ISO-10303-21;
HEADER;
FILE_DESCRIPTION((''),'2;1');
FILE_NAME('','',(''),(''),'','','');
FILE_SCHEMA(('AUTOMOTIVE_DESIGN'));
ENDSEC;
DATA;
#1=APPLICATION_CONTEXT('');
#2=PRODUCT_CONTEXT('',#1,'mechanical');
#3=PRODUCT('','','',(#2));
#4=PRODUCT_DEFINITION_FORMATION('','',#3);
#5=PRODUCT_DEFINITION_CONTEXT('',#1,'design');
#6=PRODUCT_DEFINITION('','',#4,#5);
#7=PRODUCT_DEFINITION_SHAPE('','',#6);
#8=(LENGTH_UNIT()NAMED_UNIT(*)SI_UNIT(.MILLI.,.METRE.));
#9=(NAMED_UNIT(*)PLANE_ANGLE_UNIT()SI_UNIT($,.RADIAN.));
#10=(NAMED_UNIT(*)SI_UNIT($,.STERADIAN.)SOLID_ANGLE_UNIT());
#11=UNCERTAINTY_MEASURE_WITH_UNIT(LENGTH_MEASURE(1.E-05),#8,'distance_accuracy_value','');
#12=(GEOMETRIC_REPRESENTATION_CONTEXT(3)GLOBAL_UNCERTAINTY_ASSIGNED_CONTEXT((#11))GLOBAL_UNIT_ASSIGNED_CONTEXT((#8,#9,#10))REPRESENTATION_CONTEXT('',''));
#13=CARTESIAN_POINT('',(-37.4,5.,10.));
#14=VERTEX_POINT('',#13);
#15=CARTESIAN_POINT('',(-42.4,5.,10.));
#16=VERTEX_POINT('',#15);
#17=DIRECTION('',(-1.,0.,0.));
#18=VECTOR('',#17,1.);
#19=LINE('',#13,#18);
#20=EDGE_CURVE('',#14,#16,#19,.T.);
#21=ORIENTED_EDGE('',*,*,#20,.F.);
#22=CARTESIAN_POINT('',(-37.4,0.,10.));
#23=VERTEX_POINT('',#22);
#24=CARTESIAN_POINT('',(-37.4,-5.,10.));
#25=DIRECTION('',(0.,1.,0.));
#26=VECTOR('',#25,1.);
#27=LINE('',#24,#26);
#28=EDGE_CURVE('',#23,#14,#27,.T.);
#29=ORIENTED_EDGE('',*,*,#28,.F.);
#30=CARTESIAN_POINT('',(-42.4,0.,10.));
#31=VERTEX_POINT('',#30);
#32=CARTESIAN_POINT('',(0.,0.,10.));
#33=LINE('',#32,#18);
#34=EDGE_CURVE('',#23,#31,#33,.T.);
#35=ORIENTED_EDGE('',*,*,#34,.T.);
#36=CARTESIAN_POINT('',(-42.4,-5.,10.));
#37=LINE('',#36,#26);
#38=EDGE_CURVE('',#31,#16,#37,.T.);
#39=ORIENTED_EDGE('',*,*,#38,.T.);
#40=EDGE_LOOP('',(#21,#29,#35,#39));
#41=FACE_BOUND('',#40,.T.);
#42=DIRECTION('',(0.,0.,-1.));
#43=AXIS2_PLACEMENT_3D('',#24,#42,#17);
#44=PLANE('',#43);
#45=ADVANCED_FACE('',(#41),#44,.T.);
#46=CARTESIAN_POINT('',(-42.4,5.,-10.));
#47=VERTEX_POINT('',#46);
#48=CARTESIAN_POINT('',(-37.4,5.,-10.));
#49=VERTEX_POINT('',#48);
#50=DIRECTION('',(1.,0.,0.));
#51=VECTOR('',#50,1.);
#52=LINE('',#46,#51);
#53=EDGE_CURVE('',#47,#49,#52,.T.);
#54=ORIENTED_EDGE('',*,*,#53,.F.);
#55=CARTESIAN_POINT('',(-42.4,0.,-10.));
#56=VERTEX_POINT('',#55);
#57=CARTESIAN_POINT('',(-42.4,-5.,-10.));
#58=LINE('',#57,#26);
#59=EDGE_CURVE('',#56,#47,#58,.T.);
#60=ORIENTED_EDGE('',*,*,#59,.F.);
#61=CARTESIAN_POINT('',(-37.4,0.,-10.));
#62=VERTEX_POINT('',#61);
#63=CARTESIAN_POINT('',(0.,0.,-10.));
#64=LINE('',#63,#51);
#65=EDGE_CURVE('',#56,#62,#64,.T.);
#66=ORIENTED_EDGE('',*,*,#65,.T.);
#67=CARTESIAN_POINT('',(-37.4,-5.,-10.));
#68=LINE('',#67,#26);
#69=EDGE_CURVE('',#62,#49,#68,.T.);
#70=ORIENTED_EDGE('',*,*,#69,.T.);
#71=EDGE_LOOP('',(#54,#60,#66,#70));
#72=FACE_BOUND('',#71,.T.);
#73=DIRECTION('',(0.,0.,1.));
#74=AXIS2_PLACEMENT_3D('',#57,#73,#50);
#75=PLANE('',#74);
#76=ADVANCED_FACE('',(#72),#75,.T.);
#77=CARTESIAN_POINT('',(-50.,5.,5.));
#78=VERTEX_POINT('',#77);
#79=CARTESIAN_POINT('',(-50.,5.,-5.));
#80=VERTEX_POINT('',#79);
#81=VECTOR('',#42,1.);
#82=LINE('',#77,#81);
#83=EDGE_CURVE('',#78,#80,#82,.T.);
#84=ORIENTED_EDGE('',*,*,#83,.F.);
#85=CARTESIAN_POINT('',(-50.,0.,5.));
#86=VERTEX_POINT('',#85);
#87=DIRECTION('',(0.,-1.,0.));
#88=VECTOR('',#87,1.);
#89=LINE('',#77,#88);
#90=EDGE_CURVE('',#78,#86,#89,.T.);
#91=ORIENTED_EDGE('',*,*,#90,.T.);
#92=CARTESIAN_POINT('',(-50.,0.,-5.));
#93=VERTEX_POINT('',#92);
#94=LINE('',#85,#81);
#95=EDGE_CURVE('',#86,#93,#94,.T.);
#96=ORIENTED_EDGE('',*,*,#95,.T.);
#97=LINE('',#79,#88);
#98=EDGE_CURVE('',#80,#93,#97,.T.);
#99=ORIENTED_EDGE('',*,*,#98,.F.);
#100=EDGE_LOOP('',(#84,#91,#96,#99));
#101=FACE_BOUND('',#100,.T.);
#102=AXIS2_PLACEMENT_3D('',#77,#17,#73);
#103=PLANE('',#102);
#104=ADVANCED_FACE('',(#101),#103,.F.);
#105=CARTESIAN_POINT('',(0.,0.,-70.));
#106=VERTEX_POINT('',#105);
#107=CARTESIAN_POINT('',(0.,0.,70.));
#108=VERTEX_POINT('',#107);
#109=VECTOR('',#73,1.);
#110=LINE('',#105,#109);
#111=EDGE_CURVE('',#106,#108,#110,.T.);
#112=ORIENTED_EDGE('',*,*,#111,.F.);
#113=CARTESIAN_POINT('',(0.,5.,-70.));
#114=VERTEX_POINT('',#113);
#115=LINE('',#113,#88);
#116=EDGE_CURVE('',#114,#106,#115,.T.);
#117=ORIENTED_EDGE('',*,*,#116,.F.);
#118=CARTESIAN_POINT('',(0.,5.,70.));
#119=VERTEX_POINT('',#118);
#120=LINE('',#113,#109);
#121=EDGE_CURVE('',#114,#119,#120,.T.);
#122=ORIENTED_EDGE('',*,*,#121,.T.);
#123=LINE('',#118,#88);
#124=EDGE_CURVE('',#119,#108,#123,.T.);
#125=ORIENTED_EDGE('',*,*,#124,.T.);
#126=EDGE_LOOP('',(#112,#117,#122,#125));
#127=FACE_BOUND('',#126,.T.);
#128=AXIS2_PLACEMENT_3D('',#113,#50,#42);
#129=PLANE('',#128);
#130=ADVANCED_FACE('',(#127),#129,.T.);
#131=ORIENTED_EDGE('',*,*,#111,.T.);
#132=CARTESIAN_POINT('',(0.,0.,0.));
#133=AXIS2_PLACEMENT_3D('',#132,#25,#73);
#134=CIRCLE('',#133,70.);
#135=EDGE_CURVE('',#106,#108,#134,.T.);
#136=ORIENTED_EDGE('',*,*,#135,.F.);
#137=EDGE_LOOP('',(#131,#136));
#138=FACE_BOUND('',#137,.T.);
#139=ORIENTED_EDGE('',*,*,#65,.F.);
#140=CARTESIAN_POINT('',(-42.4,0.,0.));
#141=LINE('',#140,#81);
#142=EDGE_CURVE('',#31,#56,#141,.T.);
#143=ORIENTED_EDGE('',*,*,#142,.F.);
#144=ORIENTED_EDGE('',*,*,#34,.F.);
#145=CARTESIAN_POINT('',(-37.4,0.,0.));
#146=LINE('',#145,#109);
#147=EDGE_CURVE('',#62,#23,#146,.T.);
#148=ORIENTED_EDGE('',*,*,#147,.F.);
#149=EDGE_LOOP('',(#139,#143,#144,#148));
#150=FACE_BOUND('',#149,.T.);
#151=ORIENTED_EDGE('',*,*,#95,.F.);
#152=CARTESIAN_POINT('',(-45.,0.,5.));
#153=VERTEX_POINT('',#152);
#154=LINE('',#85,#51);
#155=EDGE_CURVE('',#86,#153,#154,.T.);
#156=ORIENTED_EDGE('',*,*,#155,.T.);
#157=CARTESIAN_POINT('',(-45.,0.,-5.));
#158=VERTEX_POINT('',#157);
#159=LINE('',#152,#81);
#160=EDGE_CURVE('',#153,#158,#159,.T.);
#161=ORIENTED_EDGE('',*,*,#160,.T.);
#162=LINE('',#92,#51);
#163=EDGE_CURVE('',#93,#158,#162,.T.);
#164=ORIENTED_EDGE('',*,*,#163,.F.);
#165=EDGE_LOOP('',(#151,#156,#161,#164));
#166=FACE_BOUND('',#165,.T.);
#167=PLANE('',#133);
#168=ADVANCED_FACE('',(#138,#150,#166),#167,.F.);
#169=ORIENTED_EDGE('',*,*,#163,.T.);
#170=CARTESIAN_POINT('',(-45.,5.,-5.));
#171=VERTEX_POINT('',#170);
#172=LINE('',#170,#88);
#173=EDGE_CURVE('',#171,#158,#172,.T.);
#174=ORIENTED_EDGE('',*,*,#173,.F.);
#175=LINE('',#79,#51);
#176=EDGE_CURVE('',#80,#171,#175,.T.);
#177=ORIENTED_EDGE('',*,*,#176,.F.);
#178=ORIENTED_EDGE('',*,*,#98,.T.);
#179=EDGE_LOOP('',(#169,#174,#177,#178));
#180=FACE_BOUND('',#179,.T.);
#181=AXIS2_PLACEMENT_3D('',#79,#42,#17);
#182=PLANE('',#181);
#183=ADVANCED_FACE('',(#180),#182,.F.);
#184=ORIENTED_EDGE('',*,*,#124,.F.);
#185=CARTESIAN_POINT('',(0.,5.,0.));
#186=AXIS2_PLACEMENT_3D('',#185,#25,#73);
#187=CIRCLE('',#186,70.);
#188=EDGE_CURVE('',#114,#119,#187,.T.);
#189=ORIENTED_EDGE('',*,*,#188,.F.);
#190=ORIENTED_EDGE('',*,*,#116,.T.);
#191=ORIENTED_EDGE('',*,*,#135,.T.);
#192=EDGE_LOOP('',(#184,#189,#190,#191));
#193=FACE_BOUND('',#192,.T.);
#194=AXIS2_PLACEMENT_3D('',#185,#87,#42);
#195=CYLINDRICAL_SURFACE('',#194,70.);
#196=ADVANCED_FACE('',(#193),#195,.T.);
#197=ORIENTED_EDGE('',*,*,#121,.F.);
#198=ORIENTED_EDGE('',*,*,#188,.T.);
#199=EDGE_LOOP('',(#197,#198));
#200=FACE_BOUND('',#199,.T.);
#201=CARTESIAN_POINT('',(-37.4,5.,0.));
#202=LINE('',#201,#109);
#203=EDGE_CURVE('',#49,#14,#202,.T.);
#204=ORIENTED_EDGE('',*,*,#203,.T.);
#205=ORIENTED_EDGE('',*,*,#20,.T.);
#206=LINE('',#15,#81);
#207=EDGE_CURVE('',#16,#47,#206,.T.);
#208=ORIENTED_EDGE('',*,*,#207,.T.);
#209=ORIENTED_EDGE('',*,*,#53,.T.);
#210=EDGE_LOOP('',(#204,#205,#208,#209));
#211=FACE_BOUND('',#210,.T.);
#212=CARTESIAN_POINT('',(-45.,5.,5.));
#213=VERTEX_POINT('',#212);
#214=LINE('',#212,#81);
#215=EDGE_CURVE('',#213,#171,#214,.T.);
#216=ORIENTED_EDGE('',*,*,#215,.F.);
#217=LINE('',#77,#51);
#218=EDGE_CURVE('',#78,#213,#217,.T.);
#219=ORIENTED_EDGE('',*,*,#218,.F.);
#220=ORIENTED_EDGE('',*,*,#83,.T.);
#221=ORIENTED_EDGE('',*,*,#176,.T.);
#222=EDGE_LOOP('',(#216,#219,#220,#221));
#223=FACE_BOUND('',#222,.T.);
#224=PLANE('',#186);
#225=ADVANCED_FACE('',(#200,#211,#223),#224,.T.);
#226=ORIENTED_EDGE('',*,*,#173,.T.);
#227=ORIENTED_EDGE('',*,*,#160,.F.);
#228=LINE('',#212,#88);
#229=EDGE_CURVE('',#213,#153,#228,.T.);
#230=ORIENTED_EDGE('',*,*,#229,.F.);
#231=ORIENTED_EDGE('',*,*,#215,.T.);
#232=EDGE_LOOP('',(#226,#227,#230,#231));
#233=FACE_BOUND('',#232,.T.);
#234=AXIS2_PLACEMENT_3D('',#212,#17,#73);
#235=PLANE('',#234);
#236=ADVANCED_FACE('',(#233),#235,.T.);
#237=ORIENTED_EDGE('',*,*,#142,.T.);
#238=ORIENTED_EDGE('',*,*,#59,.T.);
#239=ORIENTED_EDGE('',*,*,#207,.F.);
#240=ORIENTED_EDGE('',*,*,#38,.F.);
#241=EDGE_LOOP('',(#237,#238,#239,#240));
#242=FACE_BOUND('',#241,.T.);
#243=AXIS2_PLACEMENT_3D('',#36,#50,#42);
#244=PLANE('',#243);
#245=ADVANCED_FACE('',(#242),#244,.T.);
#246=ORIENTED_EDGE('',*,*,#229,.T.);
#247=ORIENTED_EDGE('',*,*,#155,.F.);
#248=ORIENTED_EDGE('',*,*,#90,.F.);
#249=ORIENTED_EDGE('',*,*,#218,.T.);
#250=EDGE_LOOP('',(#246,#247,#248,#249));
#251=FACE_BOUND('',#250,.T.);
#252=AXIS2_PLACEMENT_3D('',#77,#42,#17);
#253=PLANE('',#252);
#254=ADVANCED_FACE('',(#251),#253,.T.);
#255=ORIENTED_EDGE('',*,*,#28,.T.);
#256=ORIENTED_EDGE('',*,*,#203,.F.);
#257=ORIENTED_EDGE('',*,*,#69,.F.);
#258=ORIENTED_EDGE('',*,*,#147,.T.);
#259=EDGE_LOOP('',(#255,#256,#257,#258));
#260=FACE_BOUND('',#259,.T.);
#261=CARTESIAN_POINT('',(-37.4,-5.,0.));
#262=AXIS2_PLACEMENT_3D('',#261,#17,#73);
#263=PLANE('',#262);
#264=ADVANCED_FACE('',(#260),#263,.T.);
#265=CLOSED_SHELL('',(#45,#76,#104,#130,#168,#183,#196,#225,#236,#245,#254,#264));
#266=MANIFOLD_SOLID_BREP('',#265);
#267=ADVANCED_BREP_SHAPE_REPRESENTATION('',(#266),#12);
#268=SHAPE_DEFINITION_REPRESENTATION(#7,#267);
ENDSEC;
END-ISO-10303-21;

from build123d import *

# Parameters (mm, degrees)
SKETCH1_W           = 5
SKETCH1_H           = 10
BOSS_EXTRUDE1_DEPTH = 5
CUT_EXTRUDE1_DEPTH  = 10


with BuildPart() as part:
    # Sketch1 → Boss-Extrude1 (new body)
    with BuildSketch(Plane(origin=(0, 0, 0), x_dir=(1, 0, 0), z_dir=(0, 1, 0))):
        with BuildLine():
            Line((0, 70), (0, -70))
            ThreePointArc((0, -70), (-70, 0), (0, 70))
        make_face()
        with Locations((-47.5, 0)):
            Rectangle(SKETCH1_W, SKETCH1_H, mode=Mode.SUBTRACT)
    extrude(amount=BOSS_EXTRUDE1_DEPTH)

    # Sketch2 → Cut-Extrude1 (cut)
    with BuildSketch(Plane(origin=(0, 5, 0), x_dir=(1, 0, 0), z_dir=(0, 1, 0))):
        Polygon((-37.4, 0), (-37.4, -10), (-42.4, -10), (-42.4, 10), (-37.4, 10), align=None)
    extrude(amount=-CUT_EXTRUDE1_DEPTH, mode=Mode.SUBTRACT)


solid = part.part
